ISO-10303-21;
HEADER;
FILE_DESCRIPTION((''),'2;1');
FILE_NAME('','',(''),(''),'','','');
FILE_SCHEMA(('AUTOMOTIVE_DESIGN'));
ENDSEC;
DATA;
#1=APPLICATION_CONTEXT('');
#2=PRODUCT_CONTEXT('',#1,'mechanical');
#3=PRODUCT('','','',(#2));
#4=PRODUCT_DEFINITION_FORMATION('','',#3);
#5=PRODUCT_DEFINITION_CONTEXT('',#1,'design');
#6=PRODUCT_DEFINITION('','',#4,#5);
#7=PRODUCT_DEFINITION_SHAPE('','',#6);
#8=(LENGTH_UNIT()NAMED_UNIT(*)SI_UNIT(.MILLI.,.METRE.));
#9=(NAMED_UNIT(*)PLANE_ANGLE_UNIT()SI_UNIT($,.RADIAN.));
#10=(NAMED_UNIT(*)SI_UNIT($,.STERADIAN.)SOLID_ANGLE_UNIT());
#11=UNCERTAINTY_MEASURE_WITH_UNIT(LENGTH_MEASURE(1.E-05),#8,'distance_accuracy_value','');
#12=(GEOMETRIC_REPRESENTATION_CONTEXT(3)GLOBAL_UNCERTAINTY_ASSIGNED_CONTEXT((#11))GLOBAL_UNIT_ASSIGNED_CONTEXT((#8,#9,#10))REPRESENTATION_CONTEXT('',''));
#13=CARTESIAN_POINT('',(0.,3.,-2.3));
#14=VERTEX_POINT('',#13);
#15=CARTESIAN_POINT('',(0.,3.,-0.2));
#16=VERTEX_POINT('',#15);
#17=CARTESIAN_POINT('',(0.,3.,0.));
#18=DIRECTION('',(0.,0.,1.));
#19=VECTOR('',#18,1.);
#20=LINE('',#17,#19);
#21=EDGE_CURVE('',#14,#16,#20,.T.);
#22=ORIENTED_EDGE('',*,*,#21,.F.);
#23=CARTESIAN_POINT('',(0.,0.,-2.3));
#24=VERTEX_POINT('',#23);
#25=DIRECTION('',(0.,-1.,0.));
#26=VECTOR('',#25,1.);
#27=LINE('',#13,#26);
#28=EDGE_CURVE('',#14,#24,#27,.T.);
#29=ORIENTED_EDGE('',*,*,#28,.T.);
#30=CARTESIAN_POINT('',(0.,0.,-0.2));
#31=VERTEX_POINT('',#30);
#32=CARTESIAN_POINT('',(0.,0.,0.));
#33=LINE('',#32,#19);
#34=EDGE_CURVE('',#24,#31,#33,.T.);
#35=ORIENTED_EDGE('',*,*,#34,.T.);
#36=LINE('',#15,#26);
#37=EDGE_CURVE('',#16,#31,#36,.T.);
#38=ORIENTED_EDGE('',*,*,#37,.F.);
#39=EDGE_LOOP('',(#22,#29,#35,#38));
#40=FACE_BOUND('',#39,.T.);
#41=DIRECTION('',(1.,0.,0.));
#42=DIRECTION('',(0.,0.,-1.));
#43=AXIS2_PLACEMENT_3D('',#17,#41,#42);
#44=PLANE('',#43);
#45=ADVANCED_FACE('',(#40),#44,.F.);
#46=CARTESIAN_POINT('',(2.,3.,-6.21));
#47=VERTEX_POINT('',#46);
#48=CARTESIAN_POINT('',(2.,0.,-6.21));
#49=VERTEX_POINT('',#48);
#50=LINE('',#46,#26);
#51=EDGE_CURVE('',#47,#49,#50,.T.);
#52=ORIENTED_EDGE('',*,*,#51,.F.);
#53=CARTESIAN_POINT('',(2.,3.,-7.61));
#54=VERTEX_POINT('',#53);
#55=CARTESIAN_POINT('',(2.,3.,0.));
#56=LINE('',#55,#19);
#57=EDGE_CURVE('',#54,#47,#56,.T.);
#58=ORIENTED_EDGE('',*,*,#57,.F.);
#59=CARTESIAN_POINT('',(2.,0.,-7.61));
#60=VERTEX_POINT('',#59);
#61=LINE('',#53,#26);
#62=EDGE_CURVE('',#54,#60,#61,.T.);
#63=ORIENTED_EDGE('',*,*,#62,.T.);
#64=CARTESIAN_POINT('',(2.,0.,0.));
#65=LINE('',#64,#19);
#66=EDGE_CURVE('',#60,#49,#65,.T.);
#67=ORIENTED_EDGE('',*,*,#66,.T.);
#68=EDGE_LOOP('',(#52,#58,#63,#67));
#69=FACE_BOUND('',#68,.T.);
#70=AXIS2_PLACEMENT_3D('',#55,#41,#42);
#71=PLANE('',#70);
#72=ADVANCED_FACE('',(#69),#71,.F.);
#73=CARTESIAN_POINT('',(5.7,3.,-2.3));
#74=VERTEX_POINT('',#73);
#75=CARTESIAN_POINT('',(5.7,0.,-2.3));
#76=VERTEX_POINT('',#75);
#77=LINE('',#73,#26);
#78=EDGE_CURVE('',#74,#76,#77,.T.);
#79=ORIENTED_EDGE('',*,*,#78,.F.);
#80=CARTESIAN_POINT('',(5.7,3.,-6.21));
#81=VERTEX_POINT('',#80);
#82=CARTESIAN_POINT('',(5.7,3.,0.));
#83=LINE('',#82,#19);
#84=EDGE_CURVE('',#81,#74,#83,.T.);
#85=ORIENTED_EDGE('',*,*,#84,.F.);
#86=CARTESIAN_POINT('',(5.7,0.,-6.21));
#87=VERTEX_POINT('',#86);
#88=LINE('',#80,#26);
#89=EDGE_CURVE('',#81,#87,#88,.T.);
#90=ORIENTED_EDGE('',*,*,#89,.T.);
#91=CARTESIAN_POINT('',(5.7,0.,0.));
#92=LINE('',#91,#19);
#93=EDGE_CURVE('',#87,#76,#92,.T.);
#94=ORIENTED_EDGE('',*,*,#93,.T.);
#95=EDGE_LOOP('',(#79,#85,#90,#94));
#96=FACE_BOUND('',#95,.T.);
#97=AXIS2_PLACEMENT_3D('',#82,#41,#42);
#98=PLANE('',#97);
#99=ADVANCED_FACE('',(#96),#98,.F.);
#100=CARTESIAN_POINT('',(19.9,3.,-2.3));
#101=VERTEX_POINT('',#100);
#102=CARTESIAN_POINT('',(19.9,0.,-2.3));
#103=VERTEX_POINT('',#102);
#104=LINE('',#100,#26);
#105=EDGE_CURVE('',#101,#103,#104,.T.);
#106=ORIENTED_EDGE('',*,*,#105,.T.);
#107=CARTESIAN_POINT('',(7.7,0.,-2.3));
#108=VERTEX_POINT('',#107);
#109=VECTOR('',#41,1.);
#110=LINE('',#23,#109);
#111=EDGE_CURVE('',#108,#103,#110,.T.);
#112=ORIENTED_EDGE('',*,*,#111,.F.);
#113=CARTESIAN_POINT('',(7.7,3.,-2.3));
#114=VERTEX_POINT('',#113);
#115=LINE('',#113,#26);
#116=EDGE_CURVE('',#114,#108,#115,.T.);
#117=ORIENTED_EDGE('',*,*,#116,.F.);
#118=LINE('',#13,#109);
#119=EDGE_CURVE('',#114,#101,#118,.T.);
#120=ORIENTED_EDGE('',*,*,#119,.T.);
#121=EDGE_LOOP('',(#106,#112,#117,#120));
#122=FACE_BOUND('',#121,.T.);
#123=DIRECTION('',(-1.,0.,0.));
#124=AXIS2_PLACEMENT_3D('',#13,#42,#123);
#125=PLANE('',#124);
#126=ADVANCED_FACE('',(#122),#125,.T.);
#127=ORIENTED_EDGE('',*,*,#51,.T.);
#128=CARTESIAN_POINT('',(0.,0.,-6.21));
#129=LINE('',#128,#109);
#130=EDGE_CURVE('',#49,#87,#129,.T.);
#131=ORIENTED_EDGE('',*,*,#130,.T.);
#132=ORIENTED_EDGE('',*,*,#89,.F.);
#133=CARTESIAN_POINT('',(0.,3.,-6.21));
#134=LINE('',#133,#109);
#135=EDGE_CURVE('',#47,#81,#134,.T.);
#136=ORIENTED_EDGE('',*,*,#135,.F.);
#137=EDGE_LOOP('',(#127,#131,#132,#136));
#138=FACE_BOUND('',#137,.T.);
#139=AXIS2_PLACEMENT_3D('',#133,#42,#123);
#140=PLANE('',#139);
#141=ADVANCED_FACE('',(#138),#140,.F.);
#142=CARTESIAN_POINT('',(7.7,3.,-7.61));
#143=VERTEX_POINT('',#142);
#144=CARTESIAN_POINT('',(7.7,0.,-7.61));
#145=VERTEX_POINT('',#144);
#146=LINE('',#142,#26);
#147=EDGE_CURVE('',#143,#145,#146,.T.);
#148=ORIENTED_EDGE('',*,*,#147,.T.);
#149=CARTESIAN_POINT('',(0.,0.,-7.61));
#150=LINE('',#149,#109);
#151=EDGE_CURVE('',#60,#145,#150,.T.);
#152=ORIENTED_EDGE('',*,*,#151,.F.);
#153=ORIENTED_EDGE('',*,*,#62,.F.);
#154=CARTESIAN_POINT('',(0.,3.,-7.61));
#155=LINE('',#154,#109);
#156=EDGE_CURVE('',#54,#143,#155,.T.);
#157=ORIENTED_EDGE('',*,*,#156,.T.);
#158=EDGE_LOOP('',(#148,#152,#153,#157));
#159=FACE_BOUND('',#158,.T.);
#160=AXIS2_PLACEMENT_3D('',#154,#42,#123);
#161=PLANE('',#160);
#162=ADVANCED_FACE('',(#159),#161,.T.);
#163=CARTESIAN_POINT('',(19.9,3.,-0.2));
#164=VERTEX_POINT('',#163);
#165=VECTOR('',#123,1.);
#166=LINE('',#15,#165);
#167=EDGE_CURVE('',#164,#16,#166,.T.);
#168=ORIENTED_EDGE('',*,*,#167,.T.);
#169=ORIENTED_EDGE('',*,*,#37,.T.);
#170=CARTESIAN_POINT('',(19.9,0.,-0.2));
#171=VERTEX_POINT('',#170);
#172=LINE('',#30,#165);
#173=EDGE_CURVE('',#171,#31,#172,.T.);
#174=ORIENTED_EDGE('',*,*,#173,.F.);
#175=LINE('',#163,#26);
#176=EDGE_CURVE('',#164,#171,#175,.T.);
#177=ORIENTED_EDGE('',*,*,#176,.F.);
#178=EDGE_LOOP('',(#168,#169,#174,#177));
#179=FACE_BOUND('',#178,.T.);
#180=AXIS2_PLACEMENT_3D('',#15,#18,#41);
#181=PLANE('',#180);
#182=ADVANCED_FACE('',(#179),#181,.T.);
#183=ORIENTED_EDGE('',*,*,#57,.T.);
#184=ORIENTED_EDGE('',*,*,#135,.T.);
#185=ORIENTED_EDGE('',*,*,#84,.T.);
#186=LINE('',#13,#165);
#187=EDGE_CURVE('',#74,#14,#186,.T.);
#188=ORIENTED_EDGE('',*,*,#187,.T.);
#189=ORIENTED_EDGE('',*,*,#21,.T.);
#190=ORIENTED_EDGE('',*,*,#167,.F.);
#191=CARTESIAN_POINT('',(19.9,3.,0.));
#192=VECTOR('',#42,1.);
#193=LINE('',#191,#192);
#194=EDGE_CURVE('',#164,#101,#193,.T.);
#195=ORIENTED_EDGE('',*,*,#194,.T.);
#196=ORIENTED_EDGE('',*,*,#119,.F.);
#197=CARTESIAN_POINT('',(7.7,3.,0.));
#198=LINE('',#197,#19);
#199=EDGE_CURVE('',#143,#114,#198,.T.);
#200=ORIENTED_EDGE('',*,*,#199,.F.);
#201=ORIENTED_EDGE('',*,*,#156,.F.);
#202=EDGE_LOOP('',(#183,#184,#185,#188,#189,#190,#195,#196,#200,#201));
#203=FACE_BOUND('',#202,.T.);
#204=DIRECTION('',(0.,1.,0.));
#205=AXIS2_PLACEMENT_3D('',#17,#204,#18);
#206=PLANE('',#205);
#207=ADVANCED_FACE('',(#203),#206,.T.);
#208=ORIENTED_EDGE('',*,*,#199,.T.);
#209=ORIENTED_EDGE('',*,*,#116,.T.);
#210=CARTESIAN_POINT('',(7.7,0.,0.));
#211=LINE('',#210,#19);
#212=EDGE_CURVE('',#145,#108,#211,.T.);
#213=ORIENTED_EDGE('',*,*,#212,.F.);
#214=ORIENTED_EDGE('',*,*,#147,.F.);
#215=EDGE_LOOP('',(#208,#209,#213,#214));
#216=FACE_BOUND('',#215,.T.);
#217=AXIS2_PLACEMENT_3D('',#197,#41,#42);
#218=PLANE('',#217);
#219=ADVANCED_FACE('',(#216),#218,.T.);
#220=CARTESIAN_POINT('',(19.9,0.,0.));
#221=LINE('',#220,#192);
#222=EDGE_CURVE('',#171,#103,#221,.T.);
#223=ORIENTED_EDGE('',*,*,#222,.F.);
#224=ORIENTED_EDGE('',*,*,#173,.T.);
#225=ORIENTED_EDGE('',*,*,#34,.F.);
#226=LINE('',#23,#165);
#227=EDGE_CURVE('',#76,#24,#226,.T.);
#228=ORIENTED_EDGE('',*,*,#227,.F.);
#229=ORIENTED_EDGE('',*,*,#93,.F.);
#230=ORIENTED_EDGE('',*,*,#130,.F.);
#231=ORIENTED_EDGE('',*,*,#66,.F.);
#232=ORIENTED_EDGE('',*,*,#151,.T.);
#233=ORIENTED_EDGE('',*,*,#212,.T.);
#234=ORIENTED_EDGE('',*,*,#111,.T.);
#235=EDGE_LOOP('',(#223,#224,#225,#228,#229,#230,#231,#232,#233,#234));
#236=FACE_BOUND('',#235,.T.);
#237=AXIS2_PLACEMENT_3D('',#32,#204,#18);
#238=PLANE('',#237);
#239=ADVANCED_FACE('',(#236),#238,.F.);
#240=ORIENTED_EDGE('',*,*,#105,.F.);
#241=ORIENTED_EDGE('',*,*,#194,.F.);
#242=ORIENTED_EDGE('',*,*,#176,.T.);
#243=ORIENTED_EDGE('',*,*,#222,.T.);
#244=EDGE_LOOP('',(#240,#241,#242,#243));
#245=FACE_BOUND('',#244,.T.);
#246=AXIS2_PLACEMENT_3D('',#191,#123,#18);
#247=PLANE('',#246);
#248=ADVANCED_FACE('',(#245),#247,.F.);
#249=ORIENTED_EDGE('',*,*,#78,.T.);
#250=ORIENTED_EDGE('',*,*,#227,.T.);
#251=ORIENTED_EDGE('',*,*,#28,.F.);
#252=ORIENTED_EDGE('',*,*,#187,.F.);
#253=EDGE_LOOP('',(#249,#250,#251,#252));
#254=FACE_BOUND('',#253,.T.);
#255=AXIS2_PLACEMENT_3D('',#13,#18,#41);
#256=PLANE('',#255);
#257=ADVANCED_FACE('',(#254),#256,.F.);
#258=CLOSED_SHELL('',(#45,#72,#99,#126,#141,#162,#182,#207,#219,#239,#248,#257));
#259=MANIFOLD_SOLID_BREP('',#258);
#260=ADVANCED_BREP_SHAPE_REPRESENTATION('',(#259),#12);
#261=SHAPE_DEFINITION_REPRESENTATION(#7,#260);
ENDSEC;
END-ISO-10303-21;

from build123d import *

# Parameters (mm, degrees)
RESSALTO_EXTRUS_O1_DEPTH = 3


with BuildPart() as part:
    # Esboço1 → Ressalto-extrusão1 (new body)
    with BuildSketch(Plane(origin=(0, 0, 0), x_dir=(1, 0, 0), z_dir=(0, 1, 0))):
        Polygon((0, 2.3), (0, 0.2), (19.9, 0.2), (19.9, 2.3), (7.7, 2.3), (7.7, 2.5), (7.7, 7.61), (2, 7.61), (2, 6.21), (5.7, 6.21), (5.7, 5.91), (5.7, 2.5), (5.7, 2.3), align=None)
    extrude(amount=RESSALTO_EXTRUS_O1_DEPTH)


solid = part.part
